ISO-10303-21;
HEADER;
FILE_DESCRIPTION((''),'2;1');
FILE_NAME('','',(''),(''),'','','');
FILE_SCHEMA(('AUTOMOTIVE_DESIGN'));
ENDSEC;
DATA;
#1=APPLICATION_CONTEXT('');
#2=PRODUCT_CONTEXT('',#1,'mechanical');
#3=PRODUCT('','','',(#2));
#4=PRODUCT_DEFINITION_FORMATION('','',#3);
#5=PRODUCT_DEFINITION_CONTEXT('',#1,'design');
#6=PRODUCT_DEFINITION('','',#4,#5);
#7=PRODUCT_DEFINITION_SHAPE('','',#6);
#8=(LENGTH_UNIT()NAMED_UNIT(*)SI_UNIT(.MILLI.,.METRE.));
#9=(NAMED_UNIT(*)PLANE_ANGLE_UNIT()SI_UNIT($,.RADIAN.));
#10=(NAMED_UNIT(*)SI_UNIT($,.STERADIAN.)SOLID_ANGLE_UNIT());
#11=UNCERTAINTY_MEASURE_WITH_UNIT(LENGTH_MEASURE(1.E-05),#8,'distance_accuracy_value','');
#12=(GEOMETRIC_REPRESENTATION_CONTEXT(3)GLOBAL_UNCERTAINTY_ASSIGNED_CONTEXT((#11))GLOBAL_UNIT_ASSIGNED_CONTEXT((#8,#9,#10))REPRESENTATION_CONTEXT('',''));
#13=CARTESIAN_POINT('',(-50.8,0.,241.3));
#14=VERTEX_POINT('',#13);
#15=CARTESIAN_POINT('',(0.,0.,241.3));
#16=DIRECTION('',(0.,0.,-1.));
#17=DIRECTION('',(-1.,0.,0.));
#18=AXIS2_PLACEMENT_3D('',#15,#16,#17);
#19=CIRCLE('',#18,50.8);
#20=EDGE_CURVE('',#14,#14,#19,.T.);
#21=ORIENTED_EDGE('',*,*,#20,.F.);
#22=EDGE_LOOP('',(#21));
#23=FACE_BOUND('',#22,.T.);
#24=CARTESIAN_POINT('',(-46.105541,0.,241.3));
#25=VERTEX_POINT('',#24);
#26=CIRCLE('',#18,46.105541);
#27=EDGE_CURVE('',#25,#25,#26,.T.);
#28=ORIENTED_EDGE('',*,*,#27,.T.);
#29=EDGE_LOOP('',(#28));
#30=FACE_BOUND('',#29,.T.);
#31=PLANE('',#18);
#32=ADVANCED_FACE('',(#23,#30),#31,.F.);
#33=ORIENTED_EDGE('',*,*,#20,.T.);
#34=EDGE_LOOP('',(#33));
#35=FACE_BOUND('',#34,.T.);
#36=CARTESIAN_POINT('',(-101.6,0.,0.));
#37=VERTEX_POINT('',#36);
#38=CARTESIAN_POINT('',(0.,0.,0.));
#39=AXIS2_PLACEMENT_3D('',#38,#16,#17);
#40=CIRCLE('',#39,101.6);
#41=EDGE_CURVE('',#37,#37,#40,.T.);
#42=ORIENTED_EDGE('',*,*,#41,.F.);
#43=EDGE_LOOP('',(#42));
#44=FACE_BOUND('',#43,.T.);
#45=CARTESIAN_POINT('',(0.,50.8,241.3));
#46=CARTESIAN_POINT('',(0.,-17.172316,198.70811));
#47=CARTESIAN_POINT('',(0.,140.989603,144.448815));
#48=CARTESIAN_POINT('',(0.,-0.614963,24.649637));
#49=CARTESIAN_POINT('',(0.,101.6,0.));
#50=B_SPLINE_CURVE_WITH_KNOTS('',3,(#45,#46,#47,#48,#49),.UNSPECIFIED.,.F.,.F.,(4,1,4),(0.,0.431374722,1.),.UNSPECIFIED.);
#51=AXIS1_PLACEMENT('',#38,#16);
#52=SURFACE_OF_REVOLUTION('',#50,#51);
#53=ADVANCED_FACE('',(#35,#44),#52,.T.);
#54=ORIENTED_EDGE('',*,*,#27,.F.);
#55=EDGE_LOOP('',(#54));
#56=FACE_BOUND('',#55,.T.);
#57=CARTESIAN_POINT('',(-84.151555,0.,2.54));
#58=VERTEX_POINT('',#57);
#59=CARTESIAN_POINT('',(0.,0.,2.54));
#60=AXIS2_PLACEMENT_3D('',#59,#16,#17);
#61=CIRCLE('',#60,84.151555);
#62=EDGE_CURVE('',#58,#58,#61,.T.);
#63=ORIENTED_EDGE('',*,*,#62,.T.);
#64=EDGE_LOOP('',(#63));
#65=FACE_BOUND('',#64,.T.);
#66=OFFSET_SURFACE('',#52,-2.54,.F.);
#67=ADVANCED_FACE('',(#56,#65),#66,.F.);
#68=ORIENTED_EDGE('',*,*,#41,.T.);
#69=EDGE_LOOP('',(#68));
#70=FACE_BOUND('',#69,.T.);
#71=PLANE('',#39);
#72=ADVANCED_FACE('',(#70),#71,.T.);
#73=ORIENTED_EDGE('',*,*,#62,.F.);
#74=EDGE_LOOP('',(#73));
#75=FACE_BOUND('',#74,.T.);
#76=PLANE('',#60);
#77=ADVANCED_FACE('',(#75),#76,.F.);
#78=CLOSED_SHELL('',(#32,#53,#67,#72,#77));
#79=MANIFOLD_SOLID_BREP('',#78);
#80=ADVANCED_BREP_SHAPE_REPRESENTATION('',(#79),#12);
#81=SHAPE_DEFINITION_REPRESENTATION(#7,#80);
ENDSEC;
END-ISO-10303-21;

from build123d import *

# Parameters (mm, degrees)
SHELL1_T = -2.54


with BuildPart() as part:
    # Sketch1 → Revolve1 (revolve)
    with BuildSketch(Plane.YZ):
        with BuildLine():
            add(Edge.make_bspline(
                [(50.8, 241.3), (-17.17231624, 198.708109589), (140.989603279, 144.448815338), (-0.614962808, 24.649637459), (101.6, 0)],
                knots=[0, 0, 0, 0, 0.431374722, 1, 1, 1, 1], degree=3))
            Line((101.6, 0), (0, 0))
            Line((0, 0), (0, 241.3))
            Line((0, 241.3), (50.8, 241.3))
        make_face()
    revolve(axis=Axis((0, 0, 0), (0, 0, 1)))

    # Shell1
    shell1_openings = [part.faces().sort_by_distance(p)[0] for p in [
        (0, 0, 241.3),
    ]]
    offset(amount=SHELL1_T, openings=shell1_openings, kind=Kind.INTERSECTION)


solid = part.part
